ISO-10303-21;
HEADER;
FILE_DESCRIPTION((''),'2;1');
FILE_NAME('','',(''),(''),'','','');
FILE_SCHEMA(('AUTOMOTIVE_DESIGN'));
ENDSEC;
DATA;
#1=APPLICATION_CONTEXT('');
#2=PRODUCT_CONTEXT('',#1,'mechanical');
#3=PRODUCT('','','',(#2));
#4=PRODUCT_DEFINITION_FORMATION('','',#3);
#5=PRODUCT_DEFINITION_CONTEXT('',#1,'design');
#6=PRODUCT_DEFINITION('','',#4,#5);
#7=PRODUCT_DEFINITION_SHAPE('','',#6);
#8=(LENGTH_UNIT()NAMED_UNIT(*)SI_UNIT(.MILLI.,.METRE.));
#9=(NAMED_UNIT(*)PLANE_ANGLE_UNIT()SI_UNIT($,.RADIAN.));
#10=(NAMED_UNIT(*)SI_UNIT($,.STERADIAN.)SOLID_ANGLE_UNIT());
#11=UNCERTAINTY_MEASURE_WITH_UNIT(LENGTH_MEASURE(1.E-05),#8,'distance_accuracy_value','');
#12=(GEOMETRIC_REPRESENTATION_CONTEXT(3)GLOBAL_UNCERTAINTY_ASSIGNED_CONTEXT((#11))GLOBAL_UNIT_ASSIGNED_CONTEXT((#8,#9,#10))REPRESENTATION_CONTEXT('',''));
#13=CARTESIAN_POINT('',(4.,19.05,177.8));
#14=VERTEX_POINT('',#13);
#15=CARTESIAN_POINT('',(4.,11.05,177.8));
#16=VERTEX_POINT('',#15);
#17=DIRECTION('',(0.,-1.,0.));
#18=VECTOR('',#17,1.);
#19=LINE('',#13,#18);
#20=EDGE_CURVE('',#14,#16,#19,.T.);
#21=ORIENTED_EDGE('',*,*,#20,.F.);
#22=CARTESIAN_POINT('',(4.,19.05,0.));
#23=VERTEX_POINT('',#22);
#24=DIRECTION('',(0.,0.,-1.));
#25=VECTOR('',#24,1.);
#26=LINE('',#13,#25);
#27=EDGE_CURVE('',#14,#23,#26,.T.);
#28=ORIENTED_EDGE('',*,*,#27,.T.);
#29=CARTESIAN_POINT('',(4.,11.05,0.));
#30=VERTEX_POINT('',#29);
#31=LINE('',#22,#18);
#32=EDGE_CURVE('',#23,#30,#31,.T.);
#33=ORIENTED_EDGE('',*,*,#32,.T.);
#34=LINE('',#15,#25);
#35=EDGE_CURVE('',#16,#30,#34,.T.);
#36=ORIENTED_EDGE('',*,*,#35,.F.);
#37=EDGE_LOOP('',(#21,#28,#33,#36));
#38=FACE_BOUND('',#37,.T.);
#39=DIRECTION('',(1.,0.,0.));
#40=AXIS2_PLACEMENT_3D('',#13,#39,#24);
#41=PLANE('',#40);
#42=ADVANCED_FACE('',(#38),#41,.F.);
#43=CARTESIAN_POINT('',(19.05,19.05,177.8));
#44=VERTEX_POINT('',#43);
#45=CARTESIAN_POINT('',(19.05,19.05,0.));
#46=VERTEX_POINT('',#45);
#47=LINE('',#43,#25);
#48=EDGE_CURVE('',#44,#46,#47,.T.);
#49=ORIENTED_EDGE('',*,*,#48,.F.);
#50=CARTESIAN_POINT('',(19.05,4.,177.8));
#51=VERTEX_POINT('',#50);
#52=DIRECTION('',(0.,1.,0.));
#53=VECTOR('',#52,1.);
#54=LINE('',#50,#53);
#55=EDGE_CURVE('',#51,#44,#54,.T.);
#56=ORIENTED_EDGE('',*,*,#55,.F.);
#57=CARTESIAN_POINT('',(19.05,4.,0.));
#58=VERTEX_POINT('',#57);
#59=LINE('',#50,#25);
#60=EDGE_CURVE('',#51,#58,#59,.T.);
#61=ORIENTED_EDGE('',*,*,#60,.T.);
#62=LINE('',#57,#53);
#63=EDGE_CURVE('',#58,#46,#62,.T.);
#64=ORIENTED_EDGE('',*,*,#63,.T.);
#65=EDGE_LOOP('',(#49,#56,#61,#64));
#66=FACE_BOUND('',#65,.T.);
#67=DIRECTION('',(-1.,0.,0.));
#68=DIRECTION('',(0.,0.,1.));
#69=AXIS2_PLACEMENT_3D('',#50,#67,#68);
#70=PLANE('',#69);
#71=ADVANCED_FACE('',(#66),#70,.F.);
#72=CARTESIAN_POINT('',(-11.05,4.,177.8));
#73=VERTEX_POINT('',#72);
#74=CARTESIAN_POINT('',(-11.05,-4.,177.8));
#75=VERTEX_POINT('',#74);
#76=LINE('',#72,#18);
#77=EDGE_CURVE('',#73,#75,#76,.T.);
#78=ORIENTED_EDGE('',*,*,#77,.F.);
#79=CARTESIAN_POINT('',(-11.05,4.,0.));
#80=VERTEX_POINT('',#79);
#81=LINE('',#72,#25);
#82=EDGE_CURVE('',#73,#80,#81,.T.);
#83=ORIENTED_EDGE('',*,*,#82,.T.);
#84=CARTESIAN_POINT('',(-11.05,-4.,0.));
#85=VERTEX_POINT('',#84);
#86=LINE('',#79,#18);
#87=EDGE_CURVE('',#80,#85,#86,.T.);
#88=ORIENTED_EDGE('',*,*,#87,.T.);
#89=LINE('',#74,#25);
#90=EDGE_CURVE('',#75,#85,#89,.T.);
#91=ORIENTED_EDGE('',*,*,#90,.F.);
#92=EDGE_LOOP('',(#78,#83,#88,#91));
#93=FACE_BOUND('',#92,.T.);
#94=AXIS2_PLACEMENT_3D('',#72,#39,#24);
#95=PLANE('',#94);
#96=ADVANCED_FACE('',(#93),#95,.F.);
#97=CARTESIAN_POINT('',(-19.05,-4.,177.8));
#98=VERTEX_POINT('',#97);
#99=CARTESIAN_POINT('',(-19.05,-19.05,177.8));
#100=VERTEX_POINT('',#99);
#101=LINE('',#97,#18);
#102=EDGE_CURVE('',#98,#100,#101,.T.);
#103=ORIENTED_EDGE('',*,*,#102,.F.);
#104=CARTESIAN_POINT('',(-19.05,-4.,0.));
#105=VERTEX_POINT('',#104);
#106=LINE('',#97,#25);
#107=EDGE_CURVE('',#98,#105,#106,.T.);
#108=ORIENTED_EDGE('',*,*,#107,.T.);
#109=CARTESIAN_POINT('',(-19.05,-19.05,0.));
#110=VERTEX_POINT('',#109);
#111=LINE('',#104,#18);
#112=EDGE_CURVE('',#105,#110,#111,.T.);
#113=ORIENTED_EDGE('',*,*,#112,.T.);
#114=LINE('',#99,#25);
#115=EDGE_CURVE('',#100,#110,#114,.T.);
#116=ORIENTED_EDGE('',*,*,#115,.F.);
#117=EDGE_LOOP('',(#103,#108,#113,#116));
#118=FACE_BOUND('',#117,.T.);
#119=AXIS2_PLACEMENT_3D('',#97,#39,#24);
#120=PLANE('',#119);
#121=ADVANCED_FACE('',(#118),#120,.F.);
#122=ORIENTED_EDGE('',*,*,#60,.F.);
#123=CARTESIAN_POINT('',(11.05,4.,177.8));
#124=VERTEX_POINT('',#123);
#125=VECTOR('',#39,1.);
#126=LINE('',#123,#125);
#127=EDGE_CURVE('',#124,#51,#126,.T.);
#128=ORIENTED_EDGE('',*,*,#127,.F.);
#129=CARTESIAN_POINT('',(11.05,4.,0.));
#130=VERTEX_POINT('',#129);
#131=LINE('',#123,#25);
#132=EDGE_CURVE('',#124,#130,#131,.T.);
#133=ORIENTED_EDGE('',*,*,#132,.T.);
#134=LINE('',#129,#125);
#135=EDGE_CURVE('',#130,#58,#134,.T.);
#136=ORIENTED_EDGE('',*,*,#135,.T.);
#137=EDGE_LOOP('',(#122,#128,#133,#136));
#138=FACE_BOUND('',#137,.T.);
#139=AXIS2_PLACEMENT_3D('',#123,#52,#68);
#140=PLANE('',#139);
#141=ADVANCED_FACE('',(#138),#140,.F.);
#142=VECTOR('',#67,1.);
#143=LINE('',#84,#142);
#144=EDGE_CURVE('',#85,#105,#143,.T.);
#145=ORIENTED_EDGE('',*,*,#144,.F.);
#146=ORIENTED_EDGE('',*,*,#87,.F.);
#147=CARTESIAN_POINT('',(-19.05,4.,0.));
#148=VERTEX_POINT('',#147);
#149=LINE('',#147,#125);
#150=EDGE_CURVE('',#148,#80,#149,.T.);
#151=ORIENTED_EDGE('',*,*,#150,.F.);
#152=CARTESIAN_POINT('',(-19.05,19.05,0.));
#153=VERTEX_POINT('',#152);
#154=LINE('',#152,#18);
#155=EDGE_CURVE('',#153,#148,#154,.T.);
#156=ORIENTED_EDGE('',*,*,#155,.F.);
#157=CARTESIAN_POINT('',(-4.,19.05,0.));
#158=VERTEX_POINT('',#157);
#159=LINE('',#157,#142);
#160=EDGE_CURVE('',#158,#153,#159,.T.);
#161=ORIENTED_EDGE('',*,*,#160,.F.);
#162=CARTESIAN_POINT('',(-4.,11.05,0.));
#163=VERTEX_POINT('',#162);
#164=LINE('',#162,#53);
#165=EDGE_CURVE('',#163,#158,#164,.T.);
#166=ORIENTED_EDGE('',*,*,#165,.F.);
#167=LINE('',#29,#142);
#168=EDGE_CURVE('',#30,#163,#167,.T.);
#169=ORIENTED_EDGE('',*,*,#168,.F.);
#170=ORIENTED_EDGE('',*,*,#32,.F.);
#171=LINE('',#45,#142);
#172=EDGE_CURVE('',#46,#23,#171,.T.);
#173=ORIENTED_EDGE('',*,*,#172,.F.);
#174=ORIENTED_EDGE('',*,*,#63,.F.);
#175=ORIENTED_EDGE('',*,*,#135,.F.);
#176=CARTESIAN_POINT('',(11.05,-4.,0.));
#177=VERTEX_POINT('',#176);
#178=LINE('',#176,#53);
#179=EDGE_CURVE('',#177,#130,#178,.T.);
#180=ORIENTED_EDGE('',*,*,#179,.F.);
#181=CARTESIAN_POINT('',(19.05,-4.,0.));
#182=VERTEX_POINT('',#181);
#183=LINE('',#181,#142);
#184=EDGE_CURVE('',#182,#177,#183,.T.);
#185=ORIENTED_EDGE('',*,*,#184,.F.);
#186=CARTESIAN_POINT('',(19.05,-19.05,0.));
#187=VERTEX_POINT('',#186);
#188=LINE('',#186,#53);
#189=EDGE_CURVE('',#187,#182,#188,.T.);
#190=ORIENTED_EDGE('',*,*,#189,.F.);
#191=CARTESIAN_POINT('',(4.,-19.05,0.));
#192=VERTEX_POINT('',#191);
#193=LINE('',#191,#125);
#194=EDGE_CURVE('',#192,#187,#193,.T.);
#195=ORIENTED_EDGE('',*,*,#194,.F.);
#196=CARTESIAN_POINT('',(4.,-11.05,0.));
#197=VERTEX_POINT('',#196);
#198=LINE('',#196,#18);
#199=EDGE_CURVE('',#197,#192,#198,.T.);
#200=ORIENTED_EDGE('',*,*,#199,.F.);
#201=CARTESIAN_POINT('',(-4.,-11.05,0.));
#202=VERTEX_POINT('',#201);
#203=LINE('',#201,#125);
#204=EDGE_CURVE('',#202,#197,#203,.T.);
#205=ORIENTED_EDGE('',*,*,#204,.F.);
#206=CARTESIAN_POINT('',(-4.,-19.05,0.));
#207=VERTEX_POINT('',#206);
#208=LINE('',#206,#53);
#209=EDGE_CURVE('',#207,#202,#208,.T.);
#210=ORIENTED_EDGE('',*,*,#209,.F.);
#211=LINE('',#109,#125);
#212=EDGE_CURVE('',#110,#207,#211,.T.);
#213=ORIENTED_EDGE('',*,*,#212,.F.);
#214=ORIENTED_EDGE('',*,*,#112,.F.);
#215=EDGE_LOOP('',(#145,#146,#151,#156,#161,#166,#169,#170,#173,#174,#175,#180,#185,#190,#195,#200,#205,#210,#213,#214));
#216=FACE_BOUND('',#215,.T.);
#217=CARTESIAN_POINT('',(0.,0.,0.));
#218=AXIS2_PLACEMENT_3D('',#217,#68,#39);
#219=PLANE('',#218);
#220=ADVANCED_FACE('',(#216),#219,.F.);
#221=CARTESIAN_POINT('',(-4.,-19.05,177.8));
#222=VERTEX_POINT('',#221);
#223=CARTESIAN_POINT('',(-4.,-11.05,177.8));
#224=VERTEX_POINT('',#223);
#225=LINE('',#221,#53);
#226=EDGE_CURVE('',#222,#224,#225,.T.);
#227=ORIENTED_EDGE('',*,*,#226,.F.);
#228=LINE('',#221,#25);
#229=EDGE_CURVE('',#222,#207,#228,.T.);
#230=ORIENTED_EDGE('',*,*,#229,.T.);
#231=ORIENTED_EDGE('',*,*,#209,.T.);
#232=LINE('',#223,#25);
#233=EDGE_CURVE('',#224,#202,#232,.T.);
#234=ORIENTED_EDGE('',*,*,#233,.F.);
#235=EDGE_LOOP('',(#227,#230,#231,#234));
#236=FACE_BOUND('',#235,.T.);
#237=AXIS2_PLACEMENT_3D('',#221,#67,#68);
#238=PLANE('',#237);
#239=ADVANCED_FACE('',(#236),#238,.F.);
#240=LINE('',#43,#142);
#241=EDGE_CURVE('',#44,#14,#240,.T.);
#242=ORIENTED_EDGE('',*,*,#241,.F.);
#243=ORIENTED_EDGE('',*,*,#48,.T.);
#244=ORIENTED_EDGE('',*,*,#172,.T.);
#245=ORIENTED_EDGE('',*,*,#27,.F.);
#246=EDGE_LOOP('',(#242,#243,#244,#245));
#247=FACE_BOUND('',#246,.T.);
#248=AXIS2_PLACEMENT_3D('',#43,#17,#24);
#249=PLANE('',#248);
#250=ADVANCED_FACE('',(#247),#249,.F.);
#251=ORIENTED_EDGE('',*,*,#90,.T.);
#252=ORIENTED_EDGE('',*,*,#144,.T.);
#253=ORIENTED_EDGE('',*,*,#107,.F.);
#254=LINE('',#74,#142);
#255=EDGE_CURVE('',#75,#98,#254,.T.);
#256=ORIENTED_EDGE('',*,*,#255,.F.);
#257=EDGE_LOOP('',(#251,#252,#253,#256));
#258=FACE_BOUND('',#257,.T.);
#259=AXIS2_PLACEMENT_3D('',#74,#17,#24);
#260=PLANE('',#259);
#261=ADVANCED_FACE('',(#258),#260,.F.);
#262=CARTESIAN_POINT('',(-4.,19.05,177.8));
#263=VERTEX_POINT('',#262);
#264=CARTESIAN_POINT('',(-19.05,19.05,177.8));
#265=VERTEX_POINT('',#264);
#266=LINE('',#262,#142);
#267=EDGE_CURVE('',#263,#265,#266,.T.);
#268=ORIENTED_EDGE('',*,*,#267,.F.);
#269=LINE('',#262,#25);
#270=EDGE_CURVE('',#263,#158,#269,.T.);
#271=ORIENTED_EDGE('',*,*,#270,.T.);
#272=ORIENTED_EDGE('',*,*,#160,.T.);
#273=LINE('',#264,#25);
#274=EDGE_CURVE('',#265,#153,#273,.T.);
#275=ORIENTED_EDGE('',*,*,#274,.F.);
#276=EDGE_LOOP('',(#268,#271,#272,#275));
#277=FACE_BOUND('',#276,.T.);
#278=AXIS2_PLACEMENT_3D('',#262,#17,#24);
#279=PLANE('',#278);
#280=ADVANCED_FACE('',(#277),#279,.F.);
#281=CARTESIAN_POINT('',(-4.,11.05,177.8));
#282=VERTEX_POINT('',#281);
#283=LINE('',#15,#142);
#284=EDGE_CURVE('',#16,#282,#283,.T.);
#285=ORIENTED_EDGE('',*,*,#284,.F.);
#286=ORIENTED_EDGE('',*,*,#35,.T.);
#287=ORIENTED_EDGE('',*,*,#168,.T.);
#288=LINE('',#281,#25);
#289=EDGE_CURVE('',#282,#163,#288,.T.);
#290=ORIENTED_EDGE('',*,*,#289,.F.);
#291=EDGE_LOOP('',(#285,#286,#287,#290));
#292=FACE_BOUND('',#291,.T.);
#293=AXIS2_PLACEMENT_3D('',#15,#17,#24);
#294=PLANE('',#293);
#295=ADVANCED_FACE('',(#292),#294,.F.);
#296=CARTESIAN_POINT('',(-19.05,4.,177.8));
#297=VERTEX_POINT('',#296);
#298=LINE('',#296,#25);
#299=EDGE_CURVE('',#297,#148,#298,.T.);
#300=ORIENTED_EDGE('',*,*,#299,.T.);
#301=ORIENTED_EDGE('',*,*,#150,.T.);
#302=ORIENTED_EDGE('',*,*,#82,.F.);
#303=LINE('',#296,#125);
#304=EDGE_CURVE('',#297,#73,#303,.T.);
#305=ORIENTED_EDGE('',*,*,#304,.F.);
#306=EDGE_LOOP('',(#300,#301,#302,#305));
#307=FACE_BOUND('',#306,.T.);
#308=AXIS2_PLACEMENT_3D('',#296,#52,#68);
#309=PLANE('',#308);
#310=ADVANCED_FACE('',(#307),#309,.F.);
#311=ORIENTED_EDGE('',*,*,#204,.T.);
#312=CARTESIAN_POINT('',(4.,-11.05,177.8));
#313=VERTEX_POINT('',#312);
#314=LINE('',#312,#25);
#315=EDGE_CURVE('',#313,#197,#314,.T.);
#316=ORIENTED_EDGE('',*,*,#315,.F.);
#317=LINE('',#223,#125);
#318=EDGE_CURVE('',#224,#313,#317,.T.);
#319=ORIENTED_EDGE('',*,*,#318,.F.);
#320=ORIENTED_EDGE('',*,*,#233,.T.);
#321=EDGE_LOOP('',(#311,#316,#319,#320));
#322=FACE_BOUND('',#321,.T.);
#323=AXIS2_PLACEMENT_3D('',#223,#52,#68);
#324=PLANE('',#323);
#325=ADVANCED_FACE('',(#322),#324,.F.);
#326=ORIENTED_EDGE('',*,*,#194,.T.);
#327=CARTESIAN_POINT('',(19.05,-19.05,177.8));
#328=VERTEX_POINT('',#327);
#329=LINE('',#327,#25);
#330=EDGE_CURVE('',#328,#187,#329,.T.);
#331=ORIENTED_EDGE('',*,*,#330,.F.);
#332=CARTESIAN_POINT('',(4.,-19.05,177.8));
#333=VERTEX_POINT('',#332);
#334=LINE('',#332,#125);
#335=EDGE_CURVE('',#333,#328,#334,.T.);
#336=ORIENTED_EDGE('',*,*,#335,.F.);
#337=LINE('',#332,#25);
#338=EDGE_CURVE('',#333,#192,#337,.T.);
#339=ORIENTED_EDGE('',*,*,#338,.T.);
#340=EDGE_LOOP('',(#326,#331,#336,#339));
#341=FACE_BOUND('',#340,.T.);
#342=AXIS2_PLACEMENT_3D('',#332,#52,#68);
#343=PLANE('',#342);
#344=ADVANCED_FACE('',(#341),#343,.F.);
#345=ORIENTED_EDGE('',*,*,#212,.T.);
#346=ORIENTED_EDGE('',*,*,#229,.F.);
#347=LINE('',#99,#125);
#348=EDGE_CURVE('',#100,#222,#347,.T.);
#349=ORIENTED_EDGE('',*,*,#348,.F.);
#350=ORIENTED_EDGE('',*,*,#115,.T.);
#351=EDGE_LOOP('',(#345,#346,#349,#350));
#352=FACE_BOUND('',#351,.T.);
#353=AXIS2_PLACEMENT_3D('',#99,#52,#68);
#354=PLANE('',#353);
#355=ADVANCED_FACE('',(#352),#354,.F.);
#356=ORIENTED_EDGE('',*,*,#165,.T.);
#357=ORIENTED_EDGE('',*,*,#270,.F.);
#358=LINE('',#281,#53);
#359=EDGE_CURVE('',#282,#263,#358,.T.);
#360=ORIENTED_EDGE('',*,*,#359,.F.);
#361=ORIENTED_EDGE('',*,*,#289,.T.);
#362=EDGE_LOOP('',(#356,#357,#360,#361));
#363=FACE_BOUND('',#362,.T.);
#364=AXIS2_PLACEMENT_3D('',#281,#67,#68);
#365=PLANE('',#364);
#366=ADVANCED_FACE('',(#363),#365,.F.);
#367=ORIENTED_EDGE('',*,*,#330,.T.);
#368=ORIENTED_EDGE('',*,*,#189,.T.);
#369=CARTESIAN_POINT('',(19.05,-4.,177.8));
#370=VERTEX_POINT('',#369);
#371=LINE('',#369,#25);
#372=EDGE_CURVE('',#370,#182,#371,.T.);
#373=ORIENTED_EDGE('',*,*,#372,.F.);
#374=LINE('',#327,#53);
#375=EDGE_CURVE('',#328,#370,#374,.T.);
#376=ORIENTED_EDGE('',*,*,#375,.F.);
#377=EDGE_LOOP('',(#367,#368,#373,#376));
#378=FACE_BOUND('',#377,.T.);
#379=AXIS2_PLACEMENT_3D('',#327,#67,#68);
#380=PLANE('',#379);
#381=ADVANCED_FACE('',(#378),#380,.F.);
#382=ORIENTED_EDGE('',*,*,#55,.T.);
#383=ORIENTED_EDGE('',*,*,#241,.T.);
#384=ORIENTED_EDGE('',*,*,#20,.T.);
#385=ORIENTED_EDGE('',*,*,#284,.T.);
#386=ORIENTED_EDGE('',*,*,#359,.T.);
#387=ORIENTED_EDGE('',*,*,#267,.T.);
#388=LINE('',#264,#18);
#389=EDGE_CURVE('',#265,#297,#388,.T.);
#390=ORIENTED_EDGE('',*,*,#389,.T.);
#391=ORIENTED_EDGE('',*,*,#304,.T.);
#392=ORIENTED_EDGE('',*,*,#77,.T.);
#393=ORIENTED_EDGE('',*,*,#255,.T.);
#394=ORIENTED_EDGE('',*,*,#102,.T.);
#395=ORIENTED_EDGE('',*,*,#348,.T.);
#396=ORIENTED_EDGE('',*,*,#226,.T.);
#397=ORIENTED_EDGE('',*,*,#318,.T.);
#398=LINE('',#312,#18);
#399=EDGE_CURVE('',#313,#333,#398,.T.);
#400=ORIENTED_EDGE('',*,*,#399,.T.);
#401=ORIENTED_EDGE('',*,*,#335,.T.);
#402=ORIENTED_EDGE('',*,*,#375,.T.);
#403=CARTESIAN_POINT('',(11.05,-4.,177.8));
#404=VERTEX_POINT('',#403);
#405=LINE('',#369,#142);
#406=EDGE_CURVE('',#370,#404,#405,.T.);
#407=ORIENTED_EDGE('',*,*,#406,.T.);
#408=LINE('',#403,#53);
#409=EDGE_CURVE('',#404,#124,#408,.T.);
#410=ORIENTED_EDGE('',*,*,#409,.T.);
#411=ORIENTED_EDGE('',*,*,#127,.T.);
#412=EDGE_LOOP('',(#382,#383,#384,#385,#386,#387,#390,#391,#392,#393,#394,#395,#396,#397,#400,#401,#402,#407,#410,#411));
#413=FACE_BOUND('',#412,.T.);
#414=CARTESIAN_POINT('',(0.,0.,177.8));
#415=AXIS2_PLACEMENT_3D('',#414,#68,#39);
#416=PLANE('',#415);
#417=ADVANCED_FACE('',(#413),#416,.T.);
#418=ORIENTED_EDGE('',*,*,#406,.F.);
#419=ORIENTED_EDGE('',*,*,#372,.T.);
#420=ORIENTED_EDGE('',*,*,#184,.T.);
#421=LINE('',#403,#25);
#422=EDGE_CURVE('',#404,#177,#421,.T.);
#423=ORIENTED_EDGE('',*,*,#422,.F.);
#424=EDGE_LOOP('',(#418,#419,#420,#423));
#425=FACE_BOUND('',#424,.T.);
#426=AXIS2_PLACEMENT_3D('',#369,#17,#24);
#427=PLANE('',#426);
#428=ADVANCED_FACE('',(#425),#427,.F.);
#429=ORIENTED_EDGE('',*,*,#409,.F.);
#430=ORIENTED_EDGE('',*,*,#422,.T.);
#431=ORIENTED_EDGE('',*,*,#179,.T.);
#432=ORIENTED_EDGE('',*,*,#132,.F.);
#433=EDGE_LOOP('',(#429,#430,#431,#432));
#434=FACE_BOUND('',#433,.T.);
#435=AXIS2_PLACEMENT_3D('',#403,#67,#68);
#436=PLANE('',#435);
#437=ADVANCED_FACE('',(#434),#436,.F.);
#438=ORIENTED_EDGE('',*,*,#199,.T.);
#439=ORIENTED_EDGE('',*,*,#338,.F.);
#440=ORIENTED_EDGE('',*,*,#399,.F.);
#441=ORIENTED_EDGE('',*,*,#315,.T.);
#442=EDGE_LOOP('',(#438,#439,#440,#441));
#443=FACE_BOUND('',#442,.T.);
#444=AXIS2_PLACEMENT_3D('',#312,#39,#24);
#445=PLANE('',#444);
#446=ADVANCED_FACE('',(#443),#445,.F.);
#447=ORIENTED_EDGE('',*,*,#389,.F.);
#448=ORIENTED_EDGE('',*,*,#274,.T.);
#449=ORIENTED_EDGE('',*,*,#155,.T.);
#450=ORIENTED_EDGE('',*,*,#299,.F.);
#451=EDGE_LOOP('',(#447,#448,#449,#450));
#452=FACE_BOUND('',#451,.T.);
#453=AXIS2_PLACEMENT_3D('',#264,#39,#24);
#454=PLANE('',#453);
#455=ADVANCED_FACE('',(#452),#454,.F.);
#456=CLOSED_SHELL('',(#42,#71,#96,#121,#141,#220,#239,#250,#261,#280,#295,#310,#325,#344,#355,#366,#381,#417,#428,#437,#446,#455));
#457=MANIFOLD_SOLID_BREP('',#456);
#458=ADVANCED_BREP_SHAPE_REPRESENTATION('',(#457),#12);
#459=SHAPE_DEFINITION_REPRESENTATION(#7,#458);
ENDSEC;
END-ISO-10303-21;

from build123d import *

# Parameters (mm, degrees)
PROFILE_DEPTH = 177.8


with BuildPart() as part:
    # Sketch1 → Profile (new body)
    with BuildSketch(Plane.XY):
        Polygon((-19.05, -19.05), (-4, -19.05), (-4, -11.05), (4, -11.05), (4, -19.05), (19.05, -19.05), (19.05, -4), (11.05, -4), (11.05, 4), (19.05, 4), (19.05, 19.05), (4, 19.05), (4, 11.05), (-4, 11.05), (-4, 19.05), (-19.05, 19.05), (-19.05, 4), (-11.05, 4), (-11.05, -4), (-19.05, -4), align=None)
    extrude(amount=PROFILE_DEPTH)


solid = part.part
